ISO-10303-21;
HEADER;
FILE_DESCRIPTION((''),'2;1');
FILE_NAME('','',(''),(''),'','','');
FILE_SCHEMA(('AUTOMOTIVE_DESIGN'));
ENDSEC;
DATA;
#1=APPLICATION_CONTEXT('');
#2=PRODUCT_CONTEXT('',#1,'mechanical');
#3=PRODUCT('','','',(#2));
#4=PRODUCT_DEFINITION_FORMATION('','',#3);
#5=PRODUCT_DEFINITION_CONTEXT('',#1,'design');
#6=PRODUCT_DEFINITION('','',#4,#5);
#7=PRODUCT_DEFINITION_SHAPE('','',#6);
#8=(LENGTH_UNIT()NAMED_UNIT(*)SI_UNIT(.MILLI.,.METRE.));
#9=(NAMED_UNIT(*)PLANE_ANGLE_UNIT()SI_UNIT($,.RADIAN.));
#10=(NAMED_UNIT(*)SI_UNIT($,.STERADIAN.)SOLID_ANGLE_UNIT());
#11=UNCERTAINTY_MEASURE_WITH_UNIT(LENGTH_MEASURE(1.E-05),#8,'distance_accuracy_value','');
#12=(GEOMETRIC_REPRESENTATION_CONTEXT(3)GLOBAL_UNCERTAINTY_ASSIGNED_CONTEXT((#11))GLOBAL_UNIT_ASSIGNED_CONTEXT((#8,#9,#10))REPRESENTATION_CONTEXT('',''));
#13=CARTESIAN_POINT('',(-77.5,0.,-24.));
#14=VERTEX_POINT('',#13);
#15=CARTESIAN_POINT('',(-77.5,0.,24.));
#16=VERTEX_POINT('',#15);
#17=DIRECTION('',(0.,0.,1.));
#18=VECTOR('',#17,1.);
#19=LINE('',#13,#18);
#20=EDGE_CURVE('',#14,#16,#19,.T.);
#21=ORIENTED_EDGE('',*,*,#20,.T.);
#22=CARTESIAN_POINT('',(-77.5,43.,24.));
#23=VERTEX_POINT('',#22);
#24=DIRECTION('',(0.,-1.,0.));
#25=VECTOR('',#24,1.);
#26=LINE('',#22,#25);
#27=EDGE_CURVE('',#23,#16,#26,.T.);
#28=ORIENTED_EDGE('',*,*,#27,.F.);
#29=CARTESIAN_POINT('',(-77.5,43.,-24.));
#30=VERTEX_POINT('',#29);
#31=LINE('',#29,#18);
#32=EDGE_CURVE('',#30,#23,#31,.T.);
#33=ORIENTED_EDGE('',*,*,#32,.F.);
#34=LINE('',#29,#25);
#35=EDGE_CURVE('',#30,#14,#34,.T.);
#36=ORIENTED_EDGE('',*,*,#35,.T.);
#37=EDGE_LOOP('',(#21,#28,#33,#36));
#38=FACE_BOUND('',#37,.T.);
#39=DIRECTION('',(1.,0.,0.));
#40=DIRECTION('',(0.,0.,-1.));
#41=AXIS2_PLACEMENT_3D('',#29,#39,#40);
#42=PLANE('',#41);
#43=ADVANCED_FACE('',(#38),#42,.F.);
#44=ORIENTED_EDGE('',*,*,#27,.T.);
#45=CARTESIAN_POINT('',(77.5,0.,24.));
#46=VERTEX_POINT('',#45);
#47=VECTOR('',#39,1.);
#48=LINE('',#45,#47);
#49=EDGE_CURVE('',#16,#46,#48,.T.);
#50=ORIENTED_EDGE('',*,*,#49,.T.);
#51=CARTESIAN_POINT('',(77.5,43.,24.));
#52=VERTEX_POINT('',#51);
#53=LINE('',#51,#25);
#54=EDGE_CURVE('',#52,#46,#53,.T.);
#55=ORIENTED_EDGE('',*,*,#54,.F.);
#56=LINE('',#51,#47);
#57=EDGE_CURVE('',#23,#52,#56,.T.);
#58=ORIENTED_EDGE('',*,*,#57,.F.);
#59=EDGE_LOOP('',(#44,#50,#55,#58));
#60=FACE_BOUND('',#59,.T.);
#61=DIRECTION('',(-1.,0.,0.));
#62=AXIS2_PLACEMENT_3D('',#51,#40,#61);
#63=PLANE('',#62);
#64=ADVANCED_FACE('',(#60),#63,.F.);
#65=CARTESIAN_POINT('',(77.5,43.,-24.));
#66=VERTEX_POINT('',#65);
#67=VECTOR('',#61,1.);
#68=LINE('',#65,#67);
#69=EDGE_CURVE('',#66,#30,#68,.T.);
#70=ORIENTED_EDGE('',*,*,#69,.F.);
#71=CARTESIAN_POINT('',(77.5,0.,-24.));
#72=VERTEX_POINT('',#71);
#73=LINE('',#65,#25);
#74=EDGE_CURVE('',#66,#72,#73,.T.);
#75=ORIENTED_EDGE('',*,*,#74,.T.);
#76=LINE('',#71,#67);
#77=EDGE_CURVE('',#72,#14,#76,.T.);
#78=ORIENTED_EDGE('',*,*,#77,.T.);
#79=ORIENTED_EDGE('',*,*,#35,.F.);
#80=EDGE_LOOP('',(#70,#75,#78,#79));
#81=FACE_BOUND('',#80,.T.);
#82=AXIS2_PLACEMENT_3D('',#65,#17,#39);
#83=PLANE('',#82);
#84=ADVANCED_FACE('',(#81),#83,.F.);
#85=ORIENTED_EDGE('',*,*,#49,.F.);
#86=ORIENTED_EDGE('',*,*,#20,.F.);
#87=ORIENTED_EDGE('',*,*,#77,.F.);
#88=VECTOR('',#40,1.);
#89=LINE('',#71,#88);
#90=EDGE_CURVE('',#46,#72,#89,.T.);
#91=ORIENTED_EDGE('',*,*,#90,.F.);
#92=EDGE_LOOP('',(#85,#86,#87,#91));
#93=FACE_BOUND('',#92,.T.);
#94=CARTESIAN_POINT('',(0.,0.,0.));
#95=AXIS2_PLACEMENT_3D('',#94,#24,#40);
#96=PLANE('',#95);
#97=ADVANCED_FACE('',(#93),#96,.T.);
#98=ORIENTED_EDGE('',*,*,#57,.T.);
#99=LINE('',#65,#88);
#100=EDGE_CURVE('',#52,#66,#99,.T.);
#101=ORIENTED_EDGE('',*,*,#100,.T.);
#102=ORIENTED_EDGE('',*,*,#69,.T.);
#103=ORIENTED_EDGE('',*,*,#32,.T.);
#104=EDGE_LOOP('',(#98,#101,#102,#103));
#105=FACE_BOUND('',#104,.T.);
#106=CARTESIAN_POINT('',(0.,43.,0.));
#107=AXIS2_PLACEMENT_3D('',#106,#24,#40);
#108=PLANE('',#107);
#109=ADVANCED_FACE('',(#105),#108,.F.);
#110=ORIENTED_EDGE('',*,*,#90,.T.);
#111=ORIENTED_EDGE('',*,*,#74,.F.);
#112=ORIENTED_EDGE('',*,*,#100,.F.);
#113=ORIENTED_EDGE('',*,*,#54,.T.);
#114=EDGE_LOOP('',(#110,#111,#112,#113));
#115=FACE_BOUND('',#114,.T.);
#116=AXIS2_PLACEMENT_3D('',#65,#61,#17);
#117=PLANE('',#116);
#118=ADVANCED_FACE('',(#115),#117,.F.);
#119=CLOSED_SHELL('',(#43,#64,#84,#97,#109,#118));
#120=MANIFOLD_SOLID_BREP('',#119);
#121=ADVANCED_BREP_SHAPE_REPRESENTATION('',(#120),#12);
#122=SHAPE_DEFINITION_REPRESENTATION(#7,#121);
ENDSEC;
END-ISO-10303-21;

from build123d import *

# Parameters (mm, degrees)
SCHIZZO1_W                   = 155
SCHIZZO1_H                   = 48
ESTRUSIONE_ESTRUSIONE1_DEPTH = 43


with BuildPart() as part:
    # Schizzo1 → Estrusione-Estrusione1 (new body)
    with BuildSketch(Plane(origin=(0, 0, 0), x_dir=(1, 0, 0), z_dir=(0, 1, 0))):
        Rectangle(SCHIZZO1_W, SCHIZZO1_H)
    extrude(amount=ESTRUSIONE_ESTRUSIONE1_DEPTH)


solid = part.part
